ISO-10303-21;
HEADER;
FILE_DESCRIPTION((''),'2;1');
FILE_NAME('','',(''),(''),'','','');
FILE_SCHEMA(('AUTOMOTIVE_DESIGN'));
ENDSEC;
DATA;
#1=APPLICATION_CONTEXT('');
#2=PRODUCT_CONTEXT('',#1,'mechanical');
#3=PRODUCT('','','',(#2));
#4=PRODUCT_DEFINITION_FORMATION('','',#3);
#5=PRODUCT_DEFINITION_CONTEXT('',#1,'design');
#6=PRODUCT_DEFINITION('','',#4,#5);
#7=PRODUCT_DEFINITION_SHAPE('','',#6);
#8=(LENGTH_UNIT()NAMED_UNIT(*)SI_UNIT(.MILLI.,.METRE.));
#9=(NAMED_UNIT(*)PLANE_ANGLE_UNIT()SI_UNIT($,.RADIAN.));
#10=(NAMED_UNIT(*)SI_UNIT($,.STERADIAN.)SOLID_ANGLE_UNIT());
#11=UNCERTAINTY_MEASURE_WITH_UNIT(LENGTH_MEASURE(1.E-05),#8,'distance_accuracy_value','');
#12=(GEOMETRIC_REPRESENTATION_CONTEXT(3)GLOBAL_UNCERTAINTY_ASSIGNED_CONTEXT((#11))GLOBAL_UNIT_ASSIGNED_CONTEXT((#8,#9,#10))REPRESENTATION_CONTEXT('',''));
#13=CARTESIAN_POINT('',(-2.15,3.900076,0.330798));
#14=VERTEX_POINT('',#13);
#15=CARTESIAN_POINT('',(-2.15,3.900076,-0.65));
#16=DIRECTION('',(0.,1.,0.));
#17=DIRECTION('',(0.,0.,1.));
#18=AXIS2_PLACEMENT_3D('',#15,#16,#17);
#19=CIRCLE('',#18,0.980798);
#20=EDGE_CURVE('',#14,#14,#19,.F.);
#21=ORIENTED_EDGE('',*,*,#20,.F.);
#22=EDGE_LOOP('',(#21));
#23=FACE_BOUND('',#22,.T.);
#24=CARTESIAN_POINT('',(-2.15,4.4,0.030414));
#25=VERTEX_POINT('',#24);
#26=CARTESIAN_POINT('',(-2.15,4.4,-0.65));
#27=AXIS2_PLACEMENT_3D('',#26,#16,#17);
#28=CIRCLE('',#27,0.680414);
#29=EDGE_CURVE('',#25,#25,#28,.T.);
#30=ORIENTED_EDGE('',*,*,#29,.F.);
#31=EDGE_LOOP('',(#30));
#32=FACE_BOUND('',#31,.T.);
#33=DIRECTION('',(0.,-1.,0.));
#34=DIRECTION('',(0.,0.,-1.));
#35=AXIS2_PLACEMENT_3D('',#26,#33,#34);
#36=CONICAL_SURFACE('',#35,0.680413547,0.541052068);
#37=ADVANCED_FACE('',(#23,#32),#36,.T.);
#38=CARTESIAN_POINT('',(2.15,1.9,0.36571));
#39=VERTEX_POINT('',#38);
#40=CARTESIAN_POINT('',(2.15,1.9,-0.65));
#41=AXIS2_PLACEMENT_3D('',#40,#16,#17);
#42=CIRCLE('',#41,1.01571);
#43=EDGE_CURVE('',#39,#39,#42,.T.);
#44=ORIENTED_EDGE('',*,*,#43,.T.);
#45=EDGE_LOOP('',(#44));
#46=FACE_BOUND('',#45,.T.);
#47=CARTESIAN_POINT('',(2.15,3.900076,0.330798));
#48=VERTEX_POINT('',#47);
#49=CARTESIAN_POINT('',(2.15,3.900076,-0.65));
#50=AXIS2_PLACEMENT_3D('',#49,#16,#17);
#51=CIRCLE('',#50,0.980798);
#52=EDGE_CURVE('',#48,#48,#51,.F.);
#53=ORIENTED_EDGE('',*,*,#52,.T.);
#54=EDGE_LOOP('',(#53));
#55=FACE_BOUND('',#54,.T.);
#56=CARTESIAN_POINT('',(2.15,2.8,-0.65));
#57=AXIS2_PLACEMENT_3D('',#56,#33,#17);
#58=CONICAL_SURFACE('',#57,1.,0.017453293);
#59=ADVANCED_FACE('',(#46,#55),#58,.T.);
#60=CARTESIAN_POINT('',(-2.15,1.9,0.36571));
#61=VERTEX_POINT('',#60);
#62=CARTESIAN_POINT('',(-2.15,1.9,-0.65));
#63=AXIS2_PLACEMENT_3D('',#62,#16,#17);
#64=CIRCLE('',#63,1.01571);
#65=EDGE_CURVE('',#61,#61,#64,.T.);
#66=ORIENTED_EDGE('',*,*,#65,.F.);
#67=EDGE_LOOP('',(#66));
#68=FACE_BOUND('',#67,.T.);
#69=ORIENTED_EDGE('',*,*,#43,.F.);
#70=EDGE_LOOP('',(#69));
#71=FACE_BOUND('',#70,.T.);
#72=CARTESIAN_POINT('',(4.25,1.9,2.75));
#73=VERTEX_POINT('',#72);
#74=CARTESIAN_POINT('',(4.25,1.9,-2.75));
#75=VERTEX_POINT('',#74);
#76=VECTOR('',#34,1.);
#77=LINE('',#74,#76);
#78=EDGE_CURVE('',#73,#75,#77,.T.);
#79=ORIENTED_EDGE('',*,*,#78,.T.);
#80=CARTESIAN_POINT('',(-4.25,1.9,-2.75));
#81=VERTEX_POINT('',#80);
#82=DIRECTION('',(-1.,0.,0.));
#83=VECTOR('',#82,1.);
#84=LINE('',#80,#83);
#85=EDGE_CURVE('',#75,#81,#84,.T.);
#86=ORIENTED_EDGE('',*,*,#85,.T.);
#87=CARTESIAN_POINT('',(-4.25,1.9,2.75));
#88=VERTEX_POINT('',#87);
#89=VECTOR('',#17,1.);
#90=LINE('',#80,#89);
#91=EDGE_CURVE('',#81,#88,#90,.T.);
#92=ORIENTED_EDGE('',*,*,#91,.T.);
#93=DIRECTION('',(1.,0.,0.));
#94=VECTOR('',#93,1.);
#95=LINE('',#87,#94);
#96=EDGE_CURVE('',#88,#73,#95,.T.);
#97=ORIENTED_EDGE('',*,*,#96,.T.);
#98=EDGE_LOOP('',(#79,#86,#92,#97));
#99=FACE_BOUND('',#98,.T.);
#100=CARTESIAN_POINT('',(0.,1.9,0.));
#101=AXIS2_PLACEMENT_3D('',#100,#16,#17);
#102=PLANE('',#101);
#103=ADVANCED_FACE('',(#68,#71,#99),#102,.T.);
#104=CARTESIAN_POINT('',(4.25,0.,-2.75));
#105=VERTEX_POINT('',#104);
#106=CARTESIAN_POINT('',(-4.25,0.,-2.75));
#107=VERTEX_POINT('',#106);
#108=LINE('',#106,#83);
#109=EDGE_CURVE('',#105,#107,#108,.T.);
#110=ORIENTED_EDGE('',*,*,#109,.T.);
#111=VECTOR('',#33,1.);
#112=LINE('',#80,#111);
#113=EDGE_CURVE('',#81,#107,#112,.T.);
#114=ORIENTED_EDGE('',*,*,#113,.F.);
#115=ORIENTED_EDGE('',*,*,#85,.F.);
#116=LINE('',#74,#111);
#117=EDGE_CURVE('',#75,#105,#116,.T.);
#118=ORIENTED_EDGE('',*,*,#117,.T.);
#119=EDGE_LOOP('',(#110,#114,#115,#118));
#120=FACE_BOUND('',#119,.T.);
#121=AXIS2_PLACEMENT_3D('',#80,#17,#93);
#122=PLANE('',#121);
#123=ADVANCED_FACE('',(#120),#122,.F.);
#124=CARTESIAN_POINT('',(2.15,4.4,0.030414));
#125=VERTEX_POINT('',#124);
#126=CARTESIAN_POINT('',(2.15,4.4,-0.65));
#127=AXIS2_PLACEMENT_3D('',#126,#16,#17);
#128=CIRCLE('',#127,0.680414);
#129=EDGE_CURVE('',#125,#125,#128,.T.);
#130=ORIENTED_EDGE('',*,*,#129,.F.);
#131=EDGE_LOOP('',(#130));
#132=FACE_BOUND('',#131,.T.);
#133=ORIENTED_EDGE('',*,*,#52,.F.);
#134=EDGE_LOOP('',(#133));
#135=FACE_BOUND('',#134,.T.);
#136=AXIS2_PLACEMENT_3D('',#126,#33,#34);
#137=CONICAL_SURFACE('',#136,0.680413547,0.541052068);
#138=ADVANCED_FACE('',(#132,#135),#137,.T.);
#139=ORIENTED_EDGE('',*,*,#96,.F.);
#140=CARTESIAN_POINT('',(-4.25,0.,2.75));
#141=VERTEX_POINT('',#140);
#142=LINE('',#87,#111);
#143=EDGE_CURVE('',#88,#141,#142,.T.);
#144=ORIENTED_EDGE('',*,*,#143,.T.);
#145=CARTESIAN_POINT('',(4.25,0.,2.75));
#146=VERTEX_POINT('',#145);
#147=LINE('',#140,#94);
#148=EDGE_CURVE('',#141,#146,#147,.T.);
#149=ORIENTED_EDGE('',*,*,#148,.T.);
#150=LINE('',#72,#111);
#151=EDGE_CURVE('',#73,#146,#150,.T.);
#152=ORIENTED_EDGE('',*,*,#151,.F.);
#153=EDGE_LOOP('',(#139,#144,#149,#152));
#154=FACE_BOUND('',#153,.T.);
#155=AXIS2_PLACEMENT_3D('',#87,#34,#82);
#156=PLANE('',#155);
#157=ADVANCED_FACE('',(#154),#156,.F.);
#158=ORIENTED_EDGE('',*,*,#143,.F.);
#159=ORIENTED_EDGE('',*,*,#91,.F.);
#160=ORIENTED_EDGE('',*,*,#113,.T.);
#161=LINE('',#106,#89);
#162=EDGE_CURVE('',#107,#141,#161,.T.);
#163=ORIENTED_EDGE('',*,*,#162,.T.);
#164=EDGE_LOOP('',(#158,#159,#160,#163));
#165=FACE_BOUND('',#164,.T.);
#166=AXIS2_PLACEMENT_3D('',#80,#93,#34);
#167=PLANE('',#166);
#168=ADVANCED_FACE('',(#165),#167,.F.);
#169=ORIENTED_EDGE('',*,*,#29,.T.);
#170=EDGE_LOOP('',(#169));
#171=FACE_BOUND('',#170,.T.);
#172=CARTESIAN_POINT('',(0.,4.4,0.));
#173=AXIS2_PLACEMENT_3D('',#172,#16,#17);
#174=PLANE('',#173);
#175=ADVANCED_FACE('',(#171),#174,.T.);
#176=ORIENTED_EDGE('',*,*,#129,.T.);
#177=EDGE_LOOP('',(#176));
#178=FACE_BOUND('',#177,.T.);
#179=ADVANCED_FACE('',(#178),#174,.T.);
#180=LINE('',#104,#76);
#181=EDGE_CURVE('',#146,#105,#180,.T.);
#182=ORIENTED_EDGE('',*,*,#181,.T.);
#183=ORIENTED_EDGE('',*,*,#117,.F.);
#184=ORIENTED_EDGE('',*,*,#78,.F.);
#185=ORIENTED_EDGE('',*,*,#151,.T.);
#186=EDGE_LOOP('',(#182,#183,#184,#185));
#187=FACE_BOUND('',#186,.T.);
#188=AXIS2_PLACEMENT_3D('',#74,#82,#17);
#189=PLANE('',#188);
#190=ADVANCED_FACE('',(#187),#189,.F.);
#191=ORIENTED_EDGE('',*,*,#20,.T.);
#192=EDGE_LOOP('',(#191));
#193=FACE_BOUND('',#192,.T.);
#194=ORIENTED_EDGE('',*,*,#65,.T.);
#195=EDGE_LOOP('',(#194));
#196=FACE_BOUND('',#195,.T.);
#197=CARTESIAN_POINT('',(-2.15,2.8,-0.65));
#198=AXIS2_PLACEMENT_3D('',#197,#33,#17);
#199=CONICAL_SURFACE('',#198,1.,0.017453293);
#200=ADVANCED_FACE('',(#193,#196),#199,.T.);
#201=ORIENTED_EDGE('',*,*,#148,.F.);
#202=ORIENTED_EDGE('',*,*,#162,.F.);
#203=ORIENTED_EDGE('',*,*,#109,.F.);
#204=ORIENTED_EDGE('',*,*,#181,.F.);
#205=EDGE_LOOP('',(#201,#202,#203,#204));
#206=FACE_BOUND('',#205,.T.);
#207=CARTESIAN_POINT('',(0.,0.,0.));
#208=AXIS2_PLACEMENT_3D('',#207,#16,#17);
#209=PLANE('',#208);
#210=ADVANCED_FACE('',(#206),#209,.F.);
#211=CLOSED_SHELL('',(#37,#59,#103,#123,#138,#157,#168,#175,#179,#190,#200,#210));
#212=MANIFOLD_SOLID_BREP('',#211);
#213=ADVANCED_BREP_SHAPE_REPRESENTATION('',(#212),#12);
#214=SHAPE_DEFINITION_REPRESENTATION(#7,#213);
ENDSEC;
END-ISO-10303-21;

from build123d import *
from OCP.BRepFilletAPI import BRepFilletAPI_MakeChamfer

# Parameters (mm, degrees)
SKETCH1_W                     = 8.5
SKETCH1_H                     = 5.5
BOSS_EXTRUDE1_DEPTH           = 1.9
BOSS_EXTRUDE2_REACH           = 8.307
BOSS_EXTRUDE2_START           = 0.9
SKETCH2_R                     = 1
BOSS_EXTRUDE2_DRAFT           = 1
BOSS_EXTRUDE3_START           = 0.9
SKETCH2_2_R                   = 1
BOSS_EXTRUDE3_DEPTH           = 1.6
BOSS_EXTRUDE3_DRAFT           = 1
BOSS_EXTRUDE3_PROFILE_2_DEPTH = 1.6
BOSS_EXTRUDE3_PROFILE_2_DRAFT = 1
CHAMFER1_SIZE                 = 0.5
CHAMFER1_SIZE2                = 0.291658349


with BuildPart() as part:
    # Sketch1 → Boss-Extrude1 (new body)
    with BuildSketch(Plane(origin=(0, 0, 0), x_dir=(1, 0, 0), z_dir=(0, 1, 0))):
        Rectangle(SKETCH1_W, SKETCH1_H)
    extrude(amount=BOSS_EXTRUDE1_DEPTH)




with BuildPart() as boss_extrude2_long_prism_1:
    # Sketch2 → Boss-Extrude2 (the long prism of profile 1, to be tilted and cut off)
    with BuildSketch(Plane(origin=(0, 1.9, 0), x_dir=(1, 0, 0), z_dir=(0, 1, 0)).offset(BOSS_EXTRUDE2_START)):
        with Locations((-2.15, 0.65)):
            Circle(SKETCH2_R)
    extrude(amount=-BOSS_EXTRUDE2_REACH)
    boss_extrude2_tool1_sides = [boss_extrude2_long_prism_1.faces().sort_by_distance(p)[0] for p in [
        (-3.15, -1.3535, -0.65),
    ]]
    draft(boss_extrude2_tool1_sides, Plane(origin=(0, 1.9, 0), x_dir=(1, 0, 0), z_dir=(0, 1, 0)).offset(BOSS_EXTRUDE2_START), BOSS_EXTRUDE2_DRAFT)  # the draft: side faces tilted about the start plane


with BuildPart() as part_1:
    add(part.part)
    boss_extrude2_tool1 = boss_extrude2_long_prism_1.part - part.part



with BuildPart() as boss_extrude2_long_prism_2:
    # Sketch2 → Boss-Extrude2 (the long prism of profile 2, to be tilted and cut off)
    with BuildSketch(Plane(origin=(0, 1.9, 0), x_dir=(1, 0, 0), z_dir=(0, 1, 0)).offset(BOSS_EXTRUDE2_START)):
        with Locations((2.15, 0.65)):
            Circle(SKETCH2_R)
    extrude(amount=-BOSS_EXTRUDE2_REACH)
    boss_extrude2_tool2_sides = [boss_extrude2_long_prism_2.faces().sort_by_distance(p)[0] for p in [
        (1.15, -1.3535, -0.65),
    ]]
    draft(boss_extrude2_tool2_sides, Plane(origin=(0, 1.9, 0), x_dir=(1, 0, 0), z_dir=(0, 1, 0)).offset(BOSS_EXTRUDE2_START), BOSS_EXTRUDE2_DRAFT)  # the draft: side faces tilted about the start plane


with BuildPart() as part_2:
    add(part_1.part)
    boss_extrude2_tool2 = boss_extrude2_long_prism_2.part - part.part
    add(boss_extrude2_tool1.solids().sort_by_distance((-2.15, 2.8, -0.65))[0])
    add(boss_extrude2_tool2.solids().sort_by_distance((2.15, 2.8, -0.65))[0])


with BuildPart() as boss_extrude3_tool:
    # Sketch2<2> → Boss-Extrude3 (with draft: the straight prism first)
    with BuildSketch(Plane(origin=(0, 1.9, 0), x_dir=(1, 0, 0), z_dir=(0, 1, 0)).offset(BOSS_EXTRUDE3_START)):
        with Locations((-2.15, 0.65)):
            Circle(SKETCH2_2_R)
    extrude(amount=BOSS_EXTRUDE3_DEPTH)
    # Boss-Extrude3: the draft: its side faces are tilted about the plane it starts from
    boss_extrude3_sides = [boss_extrude3_tool.faces().sort_by_distance(p)[0] for p in [
        (-3.15, 3.6, -0.65),
    ]]
    draft(boss_extrude3_sides, Plane(origin=(0, 1.9, 0), x_dir=(1, 0, 0), z_dir=(0, 1, 0)).offset(BOSS_EXTRUDE3_START), BOSS_EXTRUDE3_DRAFT)


with BuildPart() as part_3:
    add(part_2.part)

    # Boss-Extrude3: add boss_extrude3_tool
    add(boss_extrude3_tool.part)


with BuildPart() as boss_extrude3_profile_2_tool:
    # Sketch2<2> → Boss-Extrude3 profile 2 (with draft: the straight prism first)
    with BuildSketch(Plane(origin=(0, 1.9, 0), x_dir=(1, 0, 0), z_dir=(0, 1, 0)).offset(BOSS_EXTRUDE3_START)):
        with Locations((2.15, 0.65)):
            Circle(SKETCH2_2_R)
    extrude(amount=BOSS_EXTRUDE3_PROFILE_2_DEPTH)
    # Boss-Extrude3 profile 2: the draft: its side faces are tilted about the plane it starts from
    boss_extrude3_profile_2_sides = [boss_extrude3_profile_2_tool.faces().sort_by_distance(p)[0] for p in [
        (1.15, 3.6, -0.65),
    ]]
    draft(boss_extrude3_profile_2_sides, Plane(origin=(0, 1.9, 0), x_dir=(1, 0, 0), z_dir=(0, 1, 0)).offset(BOSS_EXTRUDE3_START), BOSS_EXTRUDE3_PROFILE_2_DRAFT)


with BuildPart() as part_4:
    add(part_3.part)

    # Boss-Extrude3 profile 2: add boss_extrude3_profile_2_tool
    add(boss_extrude3_profile_2_tool.part)

    # Chamfer1: one chamfer whose edges measure the first distance from different faces: ONE call of the kernel's chamfer builder (chamfer() names one face for all edges)
    chamfer1_edges_1 = [part_4.edges().sort_by_distance(p)[0] for p in [
        (-3.122071896, 4.4, -0.65),
    ]]
    chamfer1_side_1 = [part_4.faces().sort_by_distance(p)[0] for p in [
        (-3.143890727, 3.15, -0.65),
    ]]
    chamfer1_edges_2 = [part_4.edges().sort_by_distance(p)[0] for p in [
        (1.177928104, 4.4, -0.65),
    ]]
    chamfer1_side_2 = [part_4.faces().sort_by_distance(p)[0] for p in [
        (1.156109273, 3.15, -0.65),
    ]]
    chamfer1 = BRepFilletAPI_MakeChamfer(part_4.part.solid().wrapped)
    for e in chamfer1_edges_1:
        chamfer1.Add(CHAMFER1_SIZE, CHAMFER1_SIZE2, e.wrapped, chamfer1_side_1[0].wrapped)  # the first distance lies on this face
    for e in chamfer1_edges_2:
        chamfer1.Add(CHAMFER1_SIZE, CHAMFER1_SIZE2, e.wrapped, chamfer1_side_2[0].wrapped)  # the first distance lies on this face
    add(Compound.cast(chamfer1.Shape()), mode=Mode.REPLACE)


solid = part_4.part
